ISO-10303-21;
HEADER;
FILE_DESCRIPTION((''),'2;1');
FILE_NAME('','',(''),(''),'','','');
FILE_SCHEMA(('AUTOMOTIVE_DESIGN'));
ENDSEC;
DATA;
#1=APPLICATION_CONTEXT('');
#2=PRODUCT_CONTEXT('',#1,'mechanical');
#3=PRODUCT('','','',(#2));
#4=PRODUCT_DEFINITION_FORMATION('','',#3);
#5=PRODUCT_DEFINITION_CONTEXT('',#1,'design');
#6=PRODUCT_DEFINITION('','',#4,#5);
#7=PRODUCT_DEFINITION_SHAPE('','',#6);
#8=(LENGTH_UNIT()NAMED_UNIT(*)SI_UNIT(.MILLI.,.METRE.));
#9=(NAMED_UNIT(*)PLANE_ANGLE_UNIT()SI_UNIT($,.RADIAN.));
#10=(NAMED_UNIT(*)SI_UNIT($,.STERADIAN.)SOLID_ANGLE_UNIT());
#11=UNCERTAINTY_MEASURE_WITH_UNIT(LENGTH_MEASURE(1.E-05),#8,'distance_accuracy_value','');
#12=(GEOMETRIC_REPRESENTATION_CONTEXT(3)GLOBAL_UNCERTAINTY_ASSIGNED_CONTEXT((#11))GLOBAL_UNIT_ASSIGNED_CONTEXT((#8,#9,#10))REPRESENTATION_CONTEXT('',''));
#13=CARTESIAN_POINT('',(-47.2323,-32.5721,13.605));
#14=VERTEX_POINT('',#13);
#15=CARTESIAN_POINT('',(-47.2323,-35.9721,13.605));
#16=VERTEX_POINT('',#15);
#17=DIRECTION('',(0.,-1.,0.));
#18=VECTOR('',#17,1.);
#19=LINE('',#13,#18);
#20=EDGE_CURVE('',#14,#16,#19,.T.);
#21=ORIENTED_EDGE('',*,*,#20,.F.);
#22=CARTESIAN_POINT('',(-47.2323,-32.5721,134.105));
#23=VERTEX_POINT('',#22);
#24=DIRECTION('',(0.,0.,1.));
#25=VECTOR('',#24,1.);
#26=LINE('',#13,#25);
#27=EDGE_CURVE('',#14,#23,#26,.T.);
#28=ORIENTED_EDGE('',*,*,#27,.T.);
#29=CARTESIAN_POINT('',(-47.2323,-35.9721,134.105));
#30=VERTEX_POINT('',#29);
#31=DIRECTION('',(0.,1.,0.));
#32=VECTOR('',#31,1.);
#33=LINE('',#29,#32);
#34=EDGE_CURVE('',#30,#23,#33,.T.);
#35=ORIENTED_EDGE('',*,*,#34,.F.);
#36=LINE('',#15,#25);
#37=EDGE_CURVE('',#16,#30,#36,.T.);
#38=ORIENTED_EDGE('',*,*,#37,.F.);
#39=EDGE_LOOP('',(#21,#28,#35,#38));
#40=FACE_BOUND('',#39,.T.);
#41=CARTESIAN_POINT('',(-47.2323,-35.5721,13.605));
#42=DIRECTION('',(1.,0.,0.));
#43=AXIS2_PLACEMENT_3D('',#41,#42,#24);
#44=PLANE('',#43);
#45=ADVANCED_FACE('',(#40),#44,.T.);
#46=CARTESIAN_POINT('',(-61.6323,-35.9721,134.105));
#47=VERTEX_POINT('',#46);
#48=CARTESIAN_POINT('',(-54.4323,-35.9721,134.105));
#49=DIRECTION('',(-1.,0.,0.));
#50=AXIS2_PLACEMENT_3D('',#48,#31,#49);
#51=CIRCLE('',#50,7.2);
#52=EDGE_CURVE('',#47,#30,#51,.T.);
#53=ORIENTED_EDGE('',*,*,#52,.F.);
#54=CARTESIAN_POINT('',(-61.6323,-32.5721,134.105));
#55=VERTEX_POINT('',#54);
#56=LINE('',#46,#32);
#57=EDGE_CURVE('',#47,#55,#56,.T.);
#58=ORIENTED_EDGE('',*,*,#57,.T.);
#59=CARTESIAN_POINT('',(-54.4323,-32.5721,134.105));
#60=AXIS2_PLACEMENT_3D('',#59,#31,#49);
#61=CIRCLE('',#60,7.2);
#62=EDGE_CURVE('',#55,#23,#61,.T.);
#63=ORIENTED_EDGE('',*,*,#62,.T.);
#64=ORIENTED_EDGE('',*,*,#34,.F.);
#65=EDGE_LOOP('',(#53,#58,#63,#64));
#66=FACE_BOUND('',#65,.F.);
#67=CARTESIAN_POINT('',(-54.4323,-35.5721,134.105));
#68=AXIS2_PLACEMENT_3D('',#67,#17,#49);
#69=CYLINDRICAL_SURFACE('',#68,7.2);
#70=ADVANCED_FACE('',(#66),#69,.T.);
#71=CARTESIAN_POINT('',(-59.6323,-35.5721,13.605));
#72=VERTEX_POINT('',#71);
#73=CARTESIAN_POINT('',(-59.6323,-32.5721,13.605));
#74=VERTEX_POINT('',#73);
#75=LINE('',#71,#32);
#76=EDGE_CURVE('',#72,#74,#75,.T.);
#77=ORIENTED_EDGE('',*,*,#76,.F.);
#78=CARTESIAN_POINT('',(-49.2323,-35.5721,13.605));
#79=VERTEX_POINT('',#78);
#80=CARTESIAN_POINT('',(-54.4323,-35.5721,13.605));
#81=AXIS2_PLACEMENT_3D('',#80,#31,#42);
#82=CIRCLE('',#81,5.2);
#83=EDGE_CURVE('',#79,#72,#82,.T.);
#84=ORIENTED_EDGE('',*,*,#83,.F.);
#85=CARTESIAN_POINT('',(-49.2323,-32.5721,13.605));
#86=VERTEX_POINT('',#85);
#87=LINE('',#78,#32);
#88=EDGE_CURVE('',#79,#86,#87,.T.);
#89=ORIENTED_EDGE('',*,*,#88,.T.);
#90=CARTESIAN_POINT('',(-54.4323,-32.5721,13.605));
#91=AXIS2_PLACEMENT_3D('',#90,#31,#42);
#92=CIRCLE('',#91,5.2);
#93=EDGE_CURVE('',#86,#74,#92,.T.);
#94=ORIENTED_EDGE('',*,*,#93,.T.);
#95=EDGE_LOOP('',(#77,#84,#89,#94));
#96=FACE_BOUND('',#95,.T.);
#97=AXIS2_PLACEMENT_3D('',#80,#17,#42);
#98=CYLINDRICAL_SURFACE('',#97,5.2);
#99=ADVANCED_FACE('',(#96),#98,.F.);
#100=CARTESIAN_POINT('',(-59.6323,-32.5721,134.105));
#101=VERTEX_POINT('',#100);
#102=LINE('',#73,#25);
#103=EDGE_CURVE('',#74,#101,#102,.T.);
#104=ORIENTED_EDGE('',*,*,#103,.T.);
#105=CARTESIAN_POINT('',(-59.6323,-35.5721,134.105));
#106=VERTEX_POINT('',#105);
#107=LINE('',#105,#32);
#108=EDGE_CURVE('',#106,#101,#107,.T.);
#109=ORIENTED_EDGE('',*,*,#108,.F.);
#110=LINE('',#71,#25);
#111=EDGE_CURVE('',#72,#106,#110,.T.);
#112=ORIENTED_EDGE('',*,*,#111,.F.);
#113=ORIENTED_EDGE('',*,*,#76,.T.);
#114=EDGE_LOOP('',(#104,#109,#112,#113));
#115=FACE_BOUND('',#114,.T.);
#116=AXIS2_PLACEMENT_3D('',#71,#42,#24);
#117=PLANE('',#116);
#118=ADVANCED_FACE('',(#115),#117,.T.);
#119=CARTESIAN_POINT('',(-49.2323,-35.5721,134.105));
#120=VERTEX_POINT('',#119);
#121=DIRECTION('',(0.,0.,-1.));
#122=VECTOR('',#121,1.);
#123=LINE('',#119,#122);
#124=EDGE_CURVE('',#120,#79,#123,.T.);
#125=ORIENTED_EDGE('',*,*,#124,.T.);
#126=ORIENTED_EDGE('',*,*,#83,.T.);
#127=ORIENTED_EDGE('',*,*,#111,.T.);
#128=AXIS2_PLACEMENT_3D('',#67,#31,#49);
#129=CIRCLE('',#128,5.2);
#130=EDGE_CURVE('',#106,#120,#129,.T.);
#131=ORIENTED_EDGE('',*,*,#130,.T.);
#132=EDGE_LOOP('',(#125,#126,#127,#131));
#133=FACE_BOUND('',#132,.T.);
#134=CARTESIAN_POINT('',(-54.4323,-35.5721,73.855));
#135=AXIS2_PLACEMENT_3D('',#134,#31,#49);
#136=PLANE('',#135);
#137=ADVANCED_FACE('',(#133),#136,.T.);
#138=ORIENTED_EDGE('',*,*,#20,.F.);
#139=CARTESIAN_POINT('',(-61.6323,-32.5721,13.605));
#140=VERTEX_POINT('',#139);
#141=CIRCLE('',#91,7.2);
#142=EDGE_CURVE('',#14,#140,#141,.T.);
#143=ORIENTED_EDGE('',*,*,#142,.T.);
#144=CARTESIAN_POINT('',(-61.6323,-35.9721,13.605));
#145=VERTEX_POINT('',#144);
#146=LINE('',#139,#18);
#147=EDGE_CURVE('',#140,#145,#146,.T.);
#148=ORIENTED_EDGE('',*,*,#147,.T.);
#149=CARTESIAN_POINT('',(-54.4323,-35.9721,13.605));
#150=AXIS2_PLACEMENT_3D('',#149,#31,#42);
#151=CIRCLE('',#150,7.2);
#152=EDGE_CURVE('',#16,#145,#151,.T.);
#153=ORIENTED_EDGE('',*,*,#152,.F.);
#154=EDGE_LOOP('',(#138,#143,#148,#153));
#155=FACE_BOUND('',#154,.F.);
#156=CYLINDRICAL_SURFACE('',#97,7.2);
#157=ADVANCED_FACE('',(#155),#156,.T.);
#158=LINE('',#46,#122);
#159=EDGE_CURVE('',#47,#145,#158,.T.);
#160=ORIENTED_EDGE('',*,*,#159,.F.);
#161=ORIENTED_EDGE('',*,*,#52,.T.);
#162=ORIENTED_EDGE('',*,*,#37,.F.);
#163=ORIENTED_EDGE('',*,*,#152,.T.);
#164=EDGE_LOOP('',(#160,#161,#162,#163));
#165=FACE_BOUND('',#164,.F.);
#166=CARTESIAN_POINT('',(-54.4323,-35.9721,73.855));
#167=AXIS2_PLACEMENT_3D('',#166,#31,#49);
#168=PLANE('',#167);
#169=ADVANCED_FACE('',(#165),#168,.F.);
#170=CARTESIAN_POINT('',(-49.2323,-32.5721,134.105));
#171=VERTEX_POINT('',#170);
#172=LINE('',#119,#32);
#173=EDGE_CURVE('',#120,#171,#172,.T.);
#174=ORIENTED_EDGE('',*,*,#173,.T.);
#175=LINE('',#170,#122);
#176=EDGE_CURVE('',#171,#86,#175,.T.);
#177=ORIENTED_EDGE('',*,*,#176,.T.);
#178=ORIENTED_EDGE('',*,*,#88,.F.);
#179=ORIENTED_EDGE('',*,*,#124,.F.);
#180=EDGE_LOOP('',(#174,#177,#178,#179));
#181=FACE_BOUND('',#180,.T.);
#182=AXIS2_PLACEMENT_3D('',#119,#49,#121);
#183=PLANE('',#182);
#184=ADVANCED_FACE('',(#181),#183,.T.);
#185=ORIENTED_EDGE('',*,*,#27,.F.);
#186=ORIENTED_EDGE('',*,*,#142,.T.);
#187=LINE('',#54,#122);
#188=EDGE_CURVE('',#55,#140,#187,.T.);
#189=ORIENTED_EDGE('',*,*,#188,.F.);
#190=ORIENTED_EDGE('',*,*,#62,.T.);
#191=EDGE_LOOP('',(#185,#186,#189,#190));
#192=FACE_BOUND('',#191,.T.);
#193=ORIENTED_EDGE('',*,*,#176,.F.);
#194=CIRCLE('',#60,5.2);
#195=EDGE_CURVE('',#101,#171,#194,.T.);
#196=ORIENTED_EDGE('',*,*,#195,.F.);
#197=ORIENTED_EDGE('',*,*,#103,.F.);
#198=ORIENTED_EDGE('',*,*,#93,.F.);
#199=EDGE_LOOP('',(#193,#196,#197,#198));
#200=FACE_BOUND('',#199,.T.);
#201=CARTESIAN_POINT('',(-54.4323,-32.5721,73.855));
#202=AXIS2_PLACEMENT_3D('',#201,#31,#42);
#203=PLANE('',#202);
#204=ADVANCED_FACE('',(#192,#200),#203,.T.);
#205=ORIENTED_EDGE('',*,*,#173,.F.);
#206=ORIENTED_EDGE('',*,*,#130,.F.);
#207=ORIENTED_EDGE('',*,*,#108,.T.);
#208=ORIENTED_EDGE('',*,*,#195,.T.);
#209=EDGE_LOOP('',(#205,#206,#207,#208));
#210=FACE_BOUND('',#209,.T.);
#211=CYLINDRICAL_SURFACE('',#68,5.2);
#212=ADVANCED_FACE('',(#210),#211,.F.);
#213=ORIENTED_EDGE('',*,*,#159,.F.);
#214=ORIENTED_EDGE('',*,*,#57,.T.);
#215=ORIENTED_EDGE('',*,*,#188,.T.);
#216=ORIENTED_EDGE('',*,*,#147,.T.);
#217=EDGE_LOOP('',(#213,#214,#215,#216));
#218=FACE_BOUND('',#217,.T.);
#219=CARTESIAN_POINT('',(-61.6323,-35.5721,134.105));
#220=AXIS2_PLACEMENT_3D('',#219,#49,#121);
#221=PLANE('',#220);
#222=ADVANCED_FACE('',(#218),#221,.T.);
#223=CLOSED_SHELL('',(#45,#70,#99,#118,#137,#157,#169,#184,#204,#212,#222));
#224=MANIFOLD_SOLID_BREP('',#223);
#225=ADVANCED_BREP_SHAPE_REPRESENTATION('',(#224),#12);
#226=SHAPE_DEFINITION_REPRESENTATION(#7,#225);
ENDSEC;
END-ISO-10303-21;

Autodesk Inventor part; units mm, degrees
ref_plane "YZ Plane" through (0, 0, 0) normal (1, 0, 0) x (0, 1, 0)
ref_plane "XZ Plane" through (0, 0, 0) normal (0, 1, 0) x (-1, 0, 0)
ref_plane "XY Plane" through (0, 0, 0) normal (0, 0, 1) x (1, 0, 0)
ref_plane "Work Plane1" through (-54.4323, -35.9721, 73.855) normal (0, 1, 0) x (-1, 0, 0)
sketch "Sketch1" plane through (-54.4323, -35.9721, 73.855) normal (0, 1, 0) x (-1, 0, 0)
  arc A0 (7.2, 60.25) -> (-7.2, 60.25) centre (0, 60.25) ccw projected
  line L0 (-7.2, -60.25) -> (-7.2, 60.25) projected
  arc A1 (-7.2, -60.25) -> (7.2, -60.25) centre (0, -60.25) ccw projected
  line L1 (7.2, 60.25) -> (7.2, -60.25) projected
  arc A2 (-5.2, -60.25) -> (5.2, -60.25) centre (0, -60.25) ccw projected
  line L2 (-5.2, -60.25) -> (-5.2, 60.25) projected
  line L3 (5.2, 60.25) -> (5.2, -60.25) projected
  arc A3 (5.2, 60.25) -> (-5.2, 60.25) centre (0, 60.25) ccw projected
  point P0 (-54.4323, -73.855)
extrude "Extrusion1" add sketch "Sketch1" along normal blind 0.4 contours L1 A1 L0 A0 | L2 A3 L3 A2
sketch "Sketch2" plane through (-54.4323, -35.5721, 73.855) normal (0, 1, 0) x (1, 0, 0)
  arc A0 (-7.2, -60.25) -> (7.2, -60.25) centre (0, -60.25) ccw projected
  line L0 (-7.2, -60.25) -> (-7.2, 60.25) projected
  arc A1 (7.2, 60.25) -> (-7.2, 60.25) centre (0, 60.25) ccw projected
  line L1 (7.2, 60.25) -> (7.2, -60.25) projected
  line L2 (5.2, -60.25) -> (5.2, 60.25) projected
  arc A2 (5.2, 60.25) -> (-5.2, 60.25) centre (0, 60.25) ccw projected
  line L3 (-5.2, 60.25) -> (-5.2, -60.25) projected
  arc A3 (-5.2, -60.25) -> (5.2, -60.25) centre (0, -60.25) ccw projected
  point P0 (54.4323, 73.855)
extrude "Extrusion2" add sketch "Sketch2" along normal blind 3
properties part number "wiper_outside" material "ABS Plastic"
